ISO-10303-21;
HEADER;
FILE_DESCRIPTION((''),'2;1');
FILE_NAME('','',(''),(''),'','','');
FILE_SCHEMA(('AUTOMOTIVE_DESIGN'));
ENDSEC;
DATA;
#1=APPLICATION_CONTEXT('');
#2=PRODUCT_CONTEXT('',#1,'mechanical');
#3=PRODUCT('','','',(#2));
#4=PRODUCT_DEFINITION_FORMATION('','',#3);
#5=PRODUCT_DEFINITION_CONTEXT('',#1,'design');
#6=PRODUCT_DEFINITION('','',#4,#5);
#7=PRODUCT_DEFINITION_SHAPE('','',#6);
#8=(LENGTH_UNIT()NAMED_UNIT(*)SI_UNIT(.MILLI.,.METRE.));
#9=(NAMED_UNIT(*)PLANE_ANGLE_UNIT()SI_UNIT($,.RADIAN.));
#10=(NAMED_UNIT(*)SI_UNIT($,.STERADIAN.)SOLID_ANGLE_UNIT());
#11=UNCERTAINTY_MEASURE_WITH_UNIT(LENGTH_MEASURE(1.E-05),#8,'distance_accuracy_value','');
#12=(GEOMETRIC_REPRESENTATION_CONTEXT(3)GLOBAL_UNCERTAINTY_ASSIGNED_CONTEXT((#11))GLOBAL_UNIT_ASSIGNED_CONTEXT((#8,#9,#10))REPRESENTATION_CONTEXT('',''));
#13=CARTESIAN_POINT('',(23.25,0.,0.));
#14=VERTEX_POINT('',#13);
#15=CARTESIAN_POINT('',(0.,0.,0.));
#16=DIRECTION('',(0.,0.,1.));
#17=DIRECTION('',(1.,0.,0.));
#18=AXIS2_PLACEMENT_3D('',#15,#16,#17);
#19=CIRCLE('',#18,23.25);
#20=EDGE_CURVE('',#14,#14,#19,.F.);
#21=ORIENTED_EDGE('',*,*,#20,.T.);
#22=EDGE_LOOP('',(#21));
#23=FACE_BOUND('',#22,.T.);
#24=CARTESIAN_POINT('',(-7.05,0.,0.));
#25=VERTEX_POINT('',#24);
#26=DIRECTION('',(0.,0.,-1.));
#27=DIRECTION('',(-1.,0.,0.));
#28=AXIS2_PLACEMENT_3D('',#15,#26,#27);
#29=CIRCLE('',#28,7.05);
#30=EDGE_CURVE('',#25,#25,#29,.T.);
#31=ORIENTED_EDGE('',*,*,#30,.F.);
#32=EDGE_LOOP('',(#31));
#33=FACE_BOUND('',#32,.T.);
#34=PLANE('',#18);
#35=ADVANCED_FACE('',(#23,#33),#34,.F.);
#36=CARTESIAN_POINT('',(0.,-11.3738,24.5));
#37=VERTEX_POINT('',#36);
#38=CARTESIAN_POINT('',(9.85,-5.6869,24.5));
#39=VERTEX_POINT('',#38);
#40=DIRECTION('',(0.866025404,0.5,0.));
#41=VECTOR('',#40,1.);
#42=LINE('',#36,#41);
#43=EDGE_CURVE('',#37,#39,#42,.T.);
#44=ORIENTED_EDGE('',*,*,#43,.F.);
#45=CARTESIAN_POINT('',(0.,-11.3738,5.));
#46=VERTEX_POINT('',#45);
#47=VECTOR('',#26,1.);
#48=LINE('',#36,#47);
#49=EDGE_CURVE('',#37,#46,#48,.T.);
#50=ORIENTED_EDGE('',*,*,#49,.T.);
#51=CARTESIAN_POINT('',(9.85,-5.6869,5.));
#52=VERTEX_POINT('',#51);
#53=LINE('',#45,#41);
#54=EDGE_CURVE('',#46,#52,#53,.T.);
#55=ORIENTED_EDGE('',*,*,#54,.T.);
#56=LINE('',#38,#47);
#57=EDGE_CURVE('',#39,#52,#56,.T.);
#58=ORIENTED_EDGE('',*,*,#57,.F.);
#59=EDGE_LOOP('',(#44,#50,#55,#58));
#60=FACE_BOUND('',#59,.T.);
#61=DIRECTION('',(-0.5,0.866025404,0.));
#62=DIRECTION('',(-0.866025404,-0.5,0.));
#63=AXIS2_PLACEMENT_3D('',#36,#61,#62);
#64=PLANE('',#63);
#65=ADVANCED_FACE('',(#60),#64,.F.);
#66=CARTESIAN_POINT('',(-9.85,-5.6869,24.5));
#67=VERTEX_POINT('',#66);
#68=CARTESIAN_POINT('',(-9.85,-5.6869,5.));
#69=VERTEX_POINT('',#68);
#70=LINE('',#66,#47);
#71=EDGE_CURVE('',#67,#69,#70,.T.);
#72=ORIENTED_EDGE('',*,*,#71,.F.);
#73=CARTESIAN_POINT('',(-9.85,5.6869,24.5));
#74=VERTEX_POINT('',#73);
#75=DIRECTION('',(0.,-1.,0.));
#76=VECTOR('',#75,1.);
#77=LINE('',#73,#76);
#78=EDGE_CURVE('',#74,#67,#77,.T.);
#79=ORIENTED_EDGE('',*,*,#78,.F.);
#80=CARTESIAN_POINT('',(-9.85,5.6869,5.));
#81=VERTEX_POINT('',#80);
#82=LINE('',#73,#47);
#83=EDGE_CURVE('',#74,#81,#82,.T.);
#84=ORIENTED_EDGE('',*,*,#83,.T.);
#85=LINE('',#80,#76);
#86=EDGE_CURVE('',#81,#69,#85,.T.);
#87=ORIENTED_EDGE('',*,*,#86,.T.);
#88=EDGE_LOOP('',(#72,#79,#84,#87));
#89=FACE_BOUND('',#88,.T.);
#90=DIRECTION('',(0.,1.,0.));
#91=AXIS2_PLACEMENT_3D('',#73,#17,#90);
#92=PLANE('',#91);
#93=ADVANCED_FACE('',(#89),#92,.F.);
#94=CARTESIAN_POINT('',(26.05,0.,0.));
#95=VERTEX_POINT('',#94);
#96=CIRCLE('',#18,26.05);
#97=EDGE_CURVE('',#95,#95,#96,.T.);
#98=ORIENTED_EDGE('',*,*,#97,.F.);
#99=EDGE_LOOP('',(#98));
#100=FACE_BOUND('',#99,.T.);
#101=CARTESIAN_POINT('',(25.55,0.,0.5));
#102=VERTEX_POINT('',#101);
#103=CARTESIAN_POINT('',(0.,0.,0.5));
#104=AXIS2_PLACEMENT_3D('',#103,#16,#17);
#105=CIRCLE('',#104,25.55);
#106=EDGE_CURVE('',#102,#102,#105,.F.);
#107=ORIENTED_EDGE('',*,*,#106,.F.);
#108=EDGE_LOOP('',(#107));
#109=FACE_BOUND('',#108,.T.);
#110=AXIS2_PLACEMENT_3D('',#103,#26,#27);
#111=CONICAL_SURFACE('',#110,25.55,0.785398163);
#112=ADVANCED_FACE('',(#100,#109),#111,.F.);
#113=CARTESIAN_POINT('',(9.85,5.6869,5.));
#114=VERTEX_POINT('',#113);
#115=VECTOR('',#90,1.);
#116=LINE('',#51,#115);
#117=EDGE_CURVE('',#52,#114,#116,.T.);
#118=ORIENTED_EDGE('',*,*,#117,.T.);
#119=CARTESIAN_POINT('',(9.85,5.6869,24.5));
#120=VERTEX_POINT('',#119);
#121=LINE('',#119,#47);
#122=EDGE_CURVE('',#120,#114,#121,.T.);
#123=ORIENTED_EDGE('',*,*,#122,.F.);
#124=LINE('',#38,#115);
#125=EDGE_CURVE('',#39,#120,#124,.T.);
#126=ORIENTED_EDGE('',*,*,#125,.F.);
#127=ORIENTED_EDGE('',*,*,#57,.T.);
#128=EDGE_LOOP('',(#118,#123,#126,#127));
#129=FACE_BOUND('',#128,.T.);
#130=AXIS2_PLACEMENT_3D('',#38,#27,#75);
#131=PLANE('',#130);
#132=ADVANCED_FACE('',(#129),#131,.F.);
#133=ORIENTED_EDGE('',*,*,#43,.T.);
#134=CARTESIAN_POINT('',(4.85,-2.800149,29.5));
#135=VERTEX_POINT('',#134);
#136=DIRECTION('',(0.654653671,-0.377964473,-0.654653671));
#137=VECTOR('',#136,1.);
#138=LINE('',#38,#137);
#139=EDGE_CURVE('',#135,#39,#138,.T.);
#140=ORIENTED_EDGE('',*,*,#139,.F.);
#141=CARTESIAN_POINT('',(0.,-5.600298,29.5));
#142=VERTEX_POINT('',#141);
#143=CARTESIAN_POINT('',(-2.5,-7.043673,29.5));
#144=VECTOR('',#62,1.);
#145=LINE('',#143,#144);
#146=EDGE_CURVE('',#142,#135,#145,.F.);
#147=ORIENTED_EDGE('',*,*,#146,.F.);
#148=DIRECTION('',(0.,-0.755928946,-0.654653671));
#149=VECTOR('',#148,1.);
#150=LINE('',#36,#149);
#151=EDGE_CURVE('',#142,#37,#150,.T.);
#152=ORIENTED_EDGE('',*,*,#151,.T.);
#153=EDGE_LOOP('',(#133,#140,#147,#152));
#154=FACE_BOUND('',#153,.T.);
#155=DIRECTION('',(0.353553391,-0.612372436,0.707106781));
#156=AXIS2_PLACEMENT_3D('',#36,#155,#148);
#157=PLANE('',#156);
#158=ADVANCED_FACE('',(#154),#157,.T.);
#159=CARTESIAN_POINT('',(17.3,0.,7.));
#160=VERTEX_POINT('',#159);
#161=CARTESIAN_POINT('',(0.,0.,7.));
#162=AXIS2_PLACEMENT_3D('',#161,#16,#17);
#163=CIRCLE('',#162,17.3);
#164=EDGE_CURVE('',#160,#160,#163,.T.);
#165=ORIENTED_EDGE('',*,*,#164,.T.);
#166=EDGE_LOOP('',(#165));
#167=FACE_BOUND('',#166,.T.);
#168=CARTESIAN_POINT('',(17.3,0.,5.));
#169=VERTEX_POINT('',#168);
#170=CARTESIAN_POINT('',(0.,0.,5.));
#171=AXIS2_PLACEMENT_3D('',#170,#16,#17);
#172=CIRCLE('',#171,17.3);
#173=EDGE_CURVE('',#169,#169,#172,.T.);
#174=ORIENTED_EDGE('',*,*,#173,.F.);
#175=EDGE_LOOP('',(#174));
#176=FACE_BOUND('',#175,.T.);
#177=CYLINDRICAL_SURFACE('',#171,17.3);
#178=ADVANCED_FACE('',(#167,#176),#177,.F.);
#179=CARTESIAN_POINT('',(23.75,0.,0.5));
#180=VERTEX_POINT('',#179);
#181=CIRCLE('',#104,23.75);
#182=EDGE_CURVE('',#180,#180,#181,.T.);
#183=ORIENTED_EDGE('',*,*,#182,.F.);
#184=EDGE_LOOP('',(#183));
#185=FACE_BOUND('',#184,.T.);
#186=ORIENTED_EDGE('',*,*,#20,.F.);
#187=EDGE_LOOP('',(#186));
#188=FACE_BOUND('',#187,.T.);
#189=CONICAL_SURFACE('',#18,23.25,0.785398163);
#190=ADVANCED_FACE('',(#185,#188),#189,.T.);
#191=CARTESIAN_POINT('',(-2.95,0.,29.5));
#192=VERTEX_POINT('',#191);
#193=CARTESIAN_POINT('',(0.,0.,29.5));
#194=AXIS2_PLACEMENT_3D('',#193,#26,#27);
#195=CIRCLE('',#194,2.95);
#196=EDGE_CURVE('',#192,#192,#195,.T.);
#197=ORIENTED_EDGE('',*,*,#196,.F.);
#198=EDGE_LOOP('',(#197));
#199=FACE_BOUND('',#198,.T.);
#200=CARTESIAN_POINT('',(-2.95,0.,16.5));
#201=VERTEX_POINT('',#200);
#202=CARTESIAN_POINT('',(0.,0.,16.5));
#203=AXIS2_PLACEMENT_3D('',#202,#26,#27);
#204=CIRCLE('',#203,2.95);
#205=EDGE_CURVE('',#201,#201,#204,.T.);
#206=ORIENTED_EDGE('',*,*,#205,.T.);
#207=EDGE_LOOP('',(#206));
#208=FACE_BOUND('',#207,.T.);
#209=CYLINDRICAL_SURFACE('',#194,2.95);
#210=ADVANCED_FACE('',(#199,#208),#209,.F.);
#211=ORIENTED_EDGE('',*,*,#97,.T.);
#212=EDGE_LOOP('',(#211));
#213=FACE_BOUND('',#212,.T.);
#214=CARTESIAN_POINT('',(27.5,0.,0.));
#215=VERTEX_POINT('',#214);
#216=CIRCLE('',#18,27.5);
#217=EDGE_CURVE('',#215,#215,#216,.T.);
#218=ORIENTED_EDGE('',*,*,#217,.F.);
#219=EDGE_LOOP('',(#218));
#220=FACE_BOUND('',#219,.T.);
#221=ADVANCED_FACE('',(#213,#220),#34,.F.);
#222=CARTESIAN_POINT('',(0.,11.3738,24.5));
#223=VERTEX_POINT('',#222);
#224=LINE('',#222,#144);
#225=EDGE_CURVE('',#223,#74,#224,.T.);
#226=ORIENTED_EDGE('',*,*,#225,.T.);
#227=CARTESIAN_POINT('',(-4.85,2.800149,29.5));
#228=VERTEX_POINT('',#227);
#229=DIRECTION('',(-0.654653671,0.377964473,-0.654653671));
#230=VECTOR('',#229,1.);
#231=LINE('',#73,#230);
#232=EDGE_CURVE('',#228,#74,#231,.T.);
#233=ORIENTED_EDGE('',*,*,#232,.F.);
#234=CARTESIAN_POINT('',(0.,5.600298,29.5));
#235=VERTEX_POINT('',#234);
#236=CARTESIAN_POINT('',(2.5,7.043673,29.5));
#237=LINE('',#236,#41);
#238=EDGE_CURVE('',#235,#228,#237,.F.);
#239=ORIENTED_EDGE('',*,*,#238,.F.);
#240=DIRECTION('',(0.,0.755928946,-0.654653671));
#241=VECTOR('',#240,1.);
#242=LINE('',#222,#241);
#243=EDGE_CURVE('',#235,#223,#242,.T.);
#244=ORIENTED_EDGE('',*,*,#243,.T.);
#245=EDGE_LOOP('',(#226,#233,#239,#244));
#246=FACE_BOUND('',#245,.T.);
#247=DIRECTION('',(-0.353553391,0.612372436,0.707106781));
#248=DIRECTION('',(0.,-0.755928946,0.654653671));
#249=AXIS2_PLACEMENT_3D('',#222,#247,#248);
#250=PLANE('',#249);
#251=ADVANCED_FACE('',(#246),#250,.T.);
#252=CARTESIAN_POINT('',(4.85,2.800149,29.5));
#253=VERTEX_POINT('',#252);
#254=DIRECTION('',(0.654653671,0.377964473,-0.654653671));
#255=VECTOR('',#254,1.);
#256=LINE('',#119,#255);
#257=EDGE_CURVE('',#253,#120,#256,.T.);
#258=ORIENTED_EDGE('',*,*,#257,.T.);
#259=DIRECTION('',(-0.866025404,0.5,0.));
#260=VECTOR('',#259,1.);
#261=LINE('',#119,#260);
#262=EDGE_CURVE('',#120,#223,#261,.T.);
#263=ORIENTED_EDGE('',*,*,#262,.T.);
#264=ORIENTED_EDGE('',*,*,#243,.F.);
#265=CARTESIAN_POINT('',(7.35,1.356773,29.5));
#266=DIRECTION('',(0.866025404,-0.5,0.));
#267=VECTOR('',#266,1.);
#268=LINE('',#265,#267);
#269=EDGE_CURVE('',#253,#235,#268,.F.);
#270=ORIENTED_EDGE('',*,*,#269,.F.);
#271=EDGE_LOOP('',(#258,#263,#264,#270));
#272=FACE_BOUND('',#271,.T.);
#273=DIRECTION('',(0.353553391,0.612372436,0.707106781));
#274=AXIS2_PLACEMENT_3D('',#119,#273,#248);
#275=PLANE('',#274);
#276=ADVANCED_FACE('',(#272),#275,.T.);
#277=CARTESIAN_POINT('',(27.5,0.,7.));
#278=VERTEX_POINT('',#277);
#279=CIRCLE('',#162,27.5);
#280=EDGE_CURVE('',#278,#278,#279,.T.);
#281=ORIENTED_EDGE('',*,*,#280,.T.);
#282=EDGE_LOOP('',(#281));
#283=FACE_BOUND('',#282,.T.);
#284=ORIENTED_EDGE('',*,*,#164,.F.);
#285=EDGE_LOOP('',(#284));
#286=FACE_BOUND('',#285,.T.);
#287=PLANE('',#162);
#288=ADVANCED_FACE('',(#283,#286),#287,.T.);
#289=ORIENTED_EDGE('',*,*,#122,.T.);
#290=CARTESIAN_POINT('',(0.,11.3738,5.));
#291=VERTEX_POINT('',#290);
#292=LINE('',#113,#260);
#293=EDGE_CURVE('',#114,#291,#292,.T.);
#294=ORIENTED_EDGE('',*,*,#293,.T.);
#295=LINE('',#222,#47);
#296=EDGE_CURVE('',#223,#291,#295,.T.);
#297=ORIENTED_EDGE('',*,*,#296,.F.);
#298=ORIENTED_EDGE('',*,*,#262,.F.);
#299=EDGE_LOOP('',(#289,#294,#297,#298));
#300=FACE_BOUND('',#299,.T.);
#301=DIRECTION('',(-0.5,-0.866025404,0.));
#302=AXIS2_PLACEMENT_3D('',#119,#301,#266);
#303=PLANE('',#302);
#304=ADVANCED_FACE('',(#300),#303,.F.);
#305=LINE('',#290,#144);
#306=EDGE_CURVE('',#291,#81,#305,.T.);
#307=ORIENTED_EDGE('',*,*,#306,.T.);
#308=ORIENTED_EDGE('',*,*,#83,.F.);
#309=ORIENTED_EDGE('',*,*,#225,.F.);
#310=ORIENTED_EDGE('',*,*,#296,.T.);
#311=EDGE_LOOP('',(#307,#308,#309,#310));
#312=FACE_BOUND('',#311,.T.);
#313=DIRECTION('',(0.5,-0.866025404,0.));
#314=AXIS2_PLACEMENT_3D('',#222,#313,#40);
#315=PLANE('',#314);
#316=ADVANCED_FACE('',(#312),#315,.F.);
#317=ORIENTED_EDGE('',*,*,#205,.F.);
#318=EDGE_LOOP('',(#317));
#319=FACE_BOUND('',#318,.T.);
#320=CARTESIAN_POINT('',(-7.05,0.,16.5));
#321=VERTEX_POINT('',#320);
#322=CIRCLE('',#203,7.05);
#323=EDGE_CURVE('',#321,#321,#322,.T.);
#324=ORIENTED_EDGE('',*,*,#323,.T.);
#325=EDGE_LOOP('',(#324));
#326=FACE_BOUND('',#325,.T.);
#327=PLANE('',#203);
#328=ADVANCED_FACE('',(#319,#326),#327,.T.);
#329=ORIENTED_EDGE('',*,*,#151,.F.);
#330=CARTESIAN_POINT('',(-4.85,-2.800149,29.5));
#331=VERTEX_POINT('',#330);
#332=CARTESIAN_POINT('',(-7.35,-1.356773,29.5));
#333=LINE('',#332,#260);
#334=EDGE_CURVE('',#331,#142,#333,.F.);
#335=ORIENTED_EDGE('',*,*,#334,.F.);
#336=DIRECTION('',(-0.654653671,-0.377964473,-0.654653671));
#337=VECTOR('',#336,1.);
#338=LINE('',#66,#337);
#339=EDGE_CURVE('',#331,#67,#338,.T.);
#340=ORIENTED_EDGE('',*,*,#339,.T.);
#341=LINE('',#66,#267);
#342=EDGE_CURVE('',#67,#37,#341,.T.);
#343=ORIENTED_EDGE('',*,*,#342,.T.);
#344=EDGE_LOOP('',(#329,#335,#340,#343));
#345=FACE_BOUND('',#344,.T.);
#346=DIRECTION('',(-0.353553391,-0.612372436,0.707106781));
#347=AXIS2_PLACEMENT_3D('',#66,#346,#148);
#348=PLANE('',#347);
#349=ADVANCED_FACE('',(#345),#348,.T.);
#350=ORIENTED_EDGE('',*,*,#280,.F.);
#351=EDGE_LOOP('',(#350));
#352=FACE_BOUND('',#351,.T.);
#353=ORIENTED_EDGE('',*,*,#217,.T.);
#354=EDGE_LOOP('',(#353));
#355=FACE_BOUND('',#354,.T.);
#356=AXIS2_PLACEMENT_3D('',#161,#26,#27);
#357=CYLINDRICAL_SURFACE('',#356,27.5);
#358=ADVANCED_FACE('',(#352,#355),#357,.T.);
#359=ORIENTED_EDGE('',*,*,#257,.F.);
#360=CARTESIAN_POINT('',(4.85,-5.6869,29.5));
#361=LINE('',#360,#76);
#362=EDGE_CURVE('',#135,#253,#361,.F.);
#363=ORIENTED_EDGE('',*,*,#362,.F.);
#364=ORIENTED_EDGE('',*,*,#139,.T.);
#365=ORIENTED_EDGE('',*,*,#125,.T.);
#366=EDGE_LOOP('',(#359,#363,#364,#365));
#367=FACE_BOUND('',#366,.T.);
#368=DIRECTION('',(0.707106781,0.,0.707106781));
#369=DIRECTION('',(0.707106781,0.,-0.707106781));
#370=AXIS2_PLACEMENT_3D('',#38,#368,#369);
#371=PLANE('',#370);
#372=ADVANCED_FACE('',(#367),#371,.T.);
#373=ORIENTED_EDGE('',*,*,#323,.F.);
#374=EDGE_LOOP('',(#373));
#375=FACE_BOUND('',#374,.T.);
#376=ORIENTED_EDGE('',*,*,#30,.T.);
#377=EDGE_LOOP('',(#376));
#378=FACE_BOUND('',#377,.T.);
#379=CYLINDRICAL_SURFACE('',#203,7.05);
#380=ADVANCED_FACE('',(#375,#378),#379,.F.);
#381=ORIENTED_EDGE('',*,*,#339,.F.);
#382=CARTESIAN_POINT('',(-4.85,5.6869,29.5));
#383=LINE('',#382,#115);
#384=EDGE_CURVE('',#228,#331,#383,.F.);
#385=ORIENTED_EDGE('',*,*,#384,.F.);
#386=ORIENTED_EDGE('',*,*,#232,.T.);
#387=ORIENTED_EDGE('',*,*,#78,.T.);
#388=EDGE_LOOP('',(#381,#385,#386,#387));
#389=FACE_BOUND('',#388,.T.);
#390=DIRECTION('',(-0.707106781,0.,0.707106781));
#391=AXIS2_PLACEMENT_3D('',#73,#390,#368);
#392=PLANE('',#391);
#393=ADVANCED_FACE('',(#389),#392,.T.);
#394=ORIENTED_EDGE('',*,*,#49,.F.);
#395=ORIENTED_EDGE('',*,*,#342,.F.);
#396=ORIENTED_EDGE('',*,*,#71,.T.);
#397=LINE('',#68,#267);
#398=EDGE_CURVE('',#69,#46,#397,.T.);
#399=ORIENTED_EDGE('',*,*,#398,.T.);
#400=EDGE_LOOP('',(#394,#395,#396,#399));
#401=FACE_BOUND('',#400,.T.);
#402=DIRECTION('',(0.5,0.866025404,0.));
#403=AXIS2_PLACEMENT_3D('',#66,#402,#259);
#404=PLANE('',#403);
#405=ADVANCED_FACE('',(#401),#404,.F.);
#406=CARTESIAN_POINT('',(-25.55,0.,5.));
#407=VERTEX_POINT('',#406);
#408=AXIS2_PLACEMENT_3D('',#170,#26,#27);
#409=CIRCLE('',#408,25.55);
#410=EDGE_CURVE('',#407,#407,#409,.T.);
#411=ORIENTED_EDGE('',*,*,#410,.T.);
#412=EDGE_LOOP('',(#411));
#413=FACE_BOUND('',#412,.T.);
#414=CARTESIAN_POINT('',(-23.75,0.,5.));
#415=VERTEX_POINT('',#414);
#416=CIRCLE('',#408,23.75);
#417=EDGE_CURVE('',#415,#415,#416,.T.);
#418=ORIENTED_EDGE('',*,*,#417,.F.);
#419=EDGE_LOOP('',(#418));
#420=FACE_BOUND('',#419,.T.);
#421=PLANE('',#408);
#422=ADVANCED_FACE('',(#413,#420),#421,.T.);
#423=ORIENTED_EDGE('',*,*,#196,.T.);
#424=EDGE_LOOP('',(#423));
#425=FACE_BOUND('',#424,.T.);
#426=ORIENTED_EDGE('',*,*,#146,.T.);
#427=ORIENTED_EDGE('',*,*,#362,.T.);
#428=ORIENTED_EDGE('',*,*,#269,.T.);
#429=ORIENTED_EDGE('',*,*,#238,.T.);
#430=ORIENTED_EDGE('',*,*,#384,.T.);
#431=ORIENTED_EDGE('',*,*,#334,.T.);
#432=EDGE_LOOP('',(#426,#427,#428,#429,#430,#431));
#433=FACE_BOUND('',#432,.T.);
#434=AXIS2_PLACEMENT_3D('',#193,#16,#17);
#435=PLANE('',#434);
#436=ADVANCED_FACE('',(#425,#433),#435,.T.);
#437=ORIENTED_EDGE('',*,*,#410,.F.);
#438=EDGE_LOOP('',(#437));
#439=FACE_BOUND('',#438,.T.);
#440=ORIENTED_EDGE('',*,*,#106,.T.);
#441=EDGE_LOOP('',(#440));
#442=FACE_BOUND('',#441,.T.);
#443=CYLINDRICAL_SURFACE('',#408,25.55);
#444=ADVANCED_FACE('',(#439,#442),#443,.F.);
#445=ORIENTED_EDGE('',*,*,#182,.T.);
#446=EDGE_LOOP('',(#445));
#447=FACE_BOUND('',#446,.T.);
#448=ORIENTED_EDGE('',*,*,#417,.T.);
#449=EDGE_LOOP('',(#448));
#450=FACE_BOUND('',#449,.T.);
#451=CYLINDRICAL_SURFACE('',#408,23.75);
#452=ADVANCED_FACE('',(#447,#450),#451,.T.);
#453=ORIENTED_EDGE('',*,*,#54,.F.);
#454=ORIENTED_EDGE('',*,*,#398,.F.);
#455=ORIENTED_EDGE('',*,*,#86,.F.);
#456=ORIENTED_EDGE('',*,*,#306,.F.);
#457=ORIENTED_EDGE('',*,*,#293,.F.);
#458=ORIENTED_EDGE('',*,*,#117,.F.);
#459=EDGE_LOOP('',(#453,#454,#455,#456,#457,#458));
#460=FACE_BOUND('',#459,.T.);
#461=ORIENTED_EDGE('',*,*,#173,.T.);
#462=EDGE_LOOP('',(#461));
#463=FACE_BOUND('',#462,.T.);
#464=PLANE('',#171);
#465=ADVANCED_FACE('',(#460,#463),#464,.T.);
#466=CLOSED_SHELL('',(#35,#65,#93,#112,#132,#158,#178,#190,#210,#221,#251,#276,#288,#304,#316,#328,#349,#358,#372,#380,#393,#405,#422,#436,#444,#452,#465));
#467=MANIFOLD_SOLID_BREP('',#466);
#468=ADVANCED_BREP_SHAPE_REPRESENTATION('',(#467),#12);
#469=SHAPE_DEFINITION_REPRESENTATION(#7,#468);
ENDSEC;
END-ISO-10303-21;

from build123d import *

# Parameters (mm, degrees)
SKETCH1_R           = 27.5
BOSS_EXTRUDE1_DEPTH = 7
SKETCH2_R           = 17.3
CUT_EXTRUDE1_DEPTH  = 2
BOSS_EXTRUDE2_DEPTH = 19.5
BOSS_EXTRUDE3_DEPTH = 5
BOSS_EXTRUDE3_TAPER = 45
SKETCH5_R           = 7.05
CUT_EXTRUDE2_DEPTH  = 16.5
SKETCH6_R           = 2.95
CUT_EXTRUDE3_DEPTH  = 43.246301613
SKETCH7_R           = 25.55
SKETCH7_R_2         = 23.75
CUT_EXTRUDE4_DEPTH  = 5
CHAMFER1_SIZE       = 0.5


with BuildPart() as part:
    # Sketch1 → Boss-Extrude1 (new body)
    with BuildSketch(Plane.XY):
        Circle(SKETCH1_R)
    extrude(amount=BOSS_EXTRUDE1_DEPTH)

    # Sketch2 → Cut-Extrude1 (cut)
    with BuildSketch(Plane.XY.offset(7)):
        Circle(SKETCH2_R)
    extrude(amount=-CUT_EXTRUDE1_DEPTH, mode=Mode.SUBTRACT)

    # Sketch3 → Boss-Extrude2 (add)
    with BuildSketch(Plane.XY.offset(5)):
        Polygon((0, 11.373800303), (-9.85, 5.686900152), (-9.85, -5.686900152), (0, -11.373800303), (9.85, -5.686900152), (9.85, 5.686900152), align=None)
    extrude(amount=BOSS_EXTRUDE2_DEPTH)

    # Sketch4 → Boss-Extrude3 (add)
    with BuildSketch(Plane.XY.offset(24.5)):
        Polygon((9.85, 5.686900152), (0, 11.373800303), (-9.85, 5.686900152), (-9.85, -5.686900152), (0, -11.373800303), (9.85, -5.686900152), align=None)
    extrude(amount=BOSS_EXTRUDE3_DEPTH, taper=BOSS_EXTRUDE3_TAPER)

    # Sketch5 → Cut-Extrude2 (cut)
    with BuildSketch(Plane(origin=(0, 0, 0), x_dir=(-1, 0, 0), z_dir=(0, 0, -1))):
        Circle(SKETCH5_R)
    extrude(amount=-CUT_EXTRUDE2_DEPTH, mode=Mode.SUBTRACT)

    # Sketch6 → Cut-Extrude3 (cut, through all)
    with BuildSketch(Plane(origin=(0, 0, 16.5), x_dir=(-1, 0, 0), z_dir=(0, 0, -1))):
        Circle(SKETCH6_R)
    extrude(amount=-CUT_EXTRUDE3_DEPTH, mode=Mode.SUBTRACT)

    # Sketch7 → Cut-Extrude4 (cut)
    with BuildSketch(Plane(origin=(0, 0, 0), x_dir=(-1, 0, 0), z_dir=(0, 0, -1))):
        Circle(SKETCH7_R)
        Circle(SKETCH7_R_2, mode=Mode.SUBTRACT)
    extrude(amount=-CUT_EXTRUDE4_DEPTH, mode=Mode.SUBTRACT)

    # Chamfer1
    chamfer1_edges = [part.edges().sort_by_distance(p)[0] for p in [
        (25.55, 0, 0),
        (23.75, 0, 0),
    ]]
    chamfer(chamfer1_edges, length=CHAMFER1_SIZE)


solid = part.part
